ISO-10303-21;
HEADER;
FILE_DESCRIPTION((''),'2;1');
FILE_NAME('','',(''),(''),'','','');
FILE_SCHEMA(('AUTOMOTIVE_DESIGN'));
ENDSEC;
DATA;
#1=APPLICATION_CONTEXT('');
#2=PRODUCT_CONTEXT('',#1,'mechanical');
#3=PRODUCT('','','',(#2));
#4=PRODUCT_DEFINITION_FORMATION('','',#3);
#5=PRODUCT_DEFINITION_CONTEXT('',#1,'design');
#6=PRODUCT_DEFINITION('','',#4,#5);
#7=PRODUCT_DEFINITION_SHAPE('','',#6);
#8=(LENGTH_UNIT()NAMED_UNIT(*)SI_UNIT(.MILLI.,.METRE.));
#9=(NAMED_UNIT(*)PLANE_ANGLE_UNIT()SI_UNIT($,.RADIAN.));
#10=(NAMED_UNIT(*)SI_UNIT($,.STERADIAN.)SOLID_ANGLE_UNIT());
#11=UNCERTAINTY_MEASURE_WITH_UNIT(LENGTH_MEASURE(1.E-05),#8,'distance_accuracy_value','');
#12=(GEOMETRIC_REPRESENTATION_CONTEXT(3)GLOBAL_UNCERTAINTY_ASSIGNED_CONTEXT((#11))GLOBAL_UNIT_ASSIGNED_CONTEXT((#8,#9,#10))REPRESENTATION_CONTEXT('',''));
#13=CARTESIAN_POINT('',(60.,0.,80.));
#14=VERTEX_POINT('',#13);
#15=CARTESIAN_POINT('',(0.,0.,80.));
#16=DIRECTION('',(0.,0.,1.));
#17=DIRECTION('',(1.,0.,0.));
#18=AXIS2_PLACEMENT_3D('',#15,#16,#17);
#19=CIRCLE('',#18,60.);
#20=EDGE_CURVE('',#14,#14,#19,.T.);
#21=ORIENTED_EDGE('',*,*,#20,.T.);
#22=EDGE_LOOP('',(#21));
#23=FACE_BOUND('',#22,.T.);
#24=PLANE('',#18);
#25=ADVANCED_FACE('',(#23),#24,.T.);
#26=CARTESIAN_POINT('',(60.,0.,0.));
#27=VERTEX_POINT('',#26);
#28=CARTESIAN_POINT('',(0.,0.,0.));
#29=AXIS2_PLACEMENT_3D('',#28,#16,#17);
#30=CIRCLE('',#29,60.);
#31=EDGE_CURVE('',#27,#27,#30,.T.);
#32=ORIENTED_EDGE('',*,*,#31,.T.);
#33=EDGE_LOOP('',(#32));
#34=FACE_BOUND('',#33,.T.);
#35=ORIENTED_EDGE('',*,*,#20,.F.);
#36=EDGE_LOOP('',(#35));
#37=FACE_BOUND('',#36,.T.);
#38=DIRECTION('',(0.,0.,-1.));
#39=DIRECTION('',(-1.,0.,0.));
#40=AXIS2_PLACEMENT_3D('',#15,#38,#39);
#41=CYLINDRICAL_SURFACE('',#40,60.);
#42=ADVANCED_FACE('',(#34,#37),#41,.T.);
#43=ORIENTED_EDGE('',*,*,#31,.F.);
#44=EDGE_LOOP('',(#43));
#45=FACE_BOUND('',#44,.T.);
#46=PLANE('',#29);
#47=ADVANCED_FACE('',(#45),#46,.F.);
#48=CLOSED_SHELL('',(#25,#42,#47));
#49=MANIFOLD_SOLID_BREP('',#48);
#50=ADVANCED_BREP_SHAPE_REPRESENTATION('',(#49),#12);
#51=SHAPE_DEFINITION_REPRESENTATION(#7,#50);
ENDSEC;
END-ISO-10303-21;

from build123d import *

# Parameters (mm, degrees)
ESQUISSE1_R        = 60
BOSS_EXTRU_1_DEPTH = 80


with BuildPart() as part:
    # Esquisse1 → Boss.-Extru.1 (new body)
    with BuildSketch(Plane.XY):
        Circle(ESQUISSE1_R)
    extrude(amount=BOSS_EXTRU_1_DEPTH)


solid = part.part
